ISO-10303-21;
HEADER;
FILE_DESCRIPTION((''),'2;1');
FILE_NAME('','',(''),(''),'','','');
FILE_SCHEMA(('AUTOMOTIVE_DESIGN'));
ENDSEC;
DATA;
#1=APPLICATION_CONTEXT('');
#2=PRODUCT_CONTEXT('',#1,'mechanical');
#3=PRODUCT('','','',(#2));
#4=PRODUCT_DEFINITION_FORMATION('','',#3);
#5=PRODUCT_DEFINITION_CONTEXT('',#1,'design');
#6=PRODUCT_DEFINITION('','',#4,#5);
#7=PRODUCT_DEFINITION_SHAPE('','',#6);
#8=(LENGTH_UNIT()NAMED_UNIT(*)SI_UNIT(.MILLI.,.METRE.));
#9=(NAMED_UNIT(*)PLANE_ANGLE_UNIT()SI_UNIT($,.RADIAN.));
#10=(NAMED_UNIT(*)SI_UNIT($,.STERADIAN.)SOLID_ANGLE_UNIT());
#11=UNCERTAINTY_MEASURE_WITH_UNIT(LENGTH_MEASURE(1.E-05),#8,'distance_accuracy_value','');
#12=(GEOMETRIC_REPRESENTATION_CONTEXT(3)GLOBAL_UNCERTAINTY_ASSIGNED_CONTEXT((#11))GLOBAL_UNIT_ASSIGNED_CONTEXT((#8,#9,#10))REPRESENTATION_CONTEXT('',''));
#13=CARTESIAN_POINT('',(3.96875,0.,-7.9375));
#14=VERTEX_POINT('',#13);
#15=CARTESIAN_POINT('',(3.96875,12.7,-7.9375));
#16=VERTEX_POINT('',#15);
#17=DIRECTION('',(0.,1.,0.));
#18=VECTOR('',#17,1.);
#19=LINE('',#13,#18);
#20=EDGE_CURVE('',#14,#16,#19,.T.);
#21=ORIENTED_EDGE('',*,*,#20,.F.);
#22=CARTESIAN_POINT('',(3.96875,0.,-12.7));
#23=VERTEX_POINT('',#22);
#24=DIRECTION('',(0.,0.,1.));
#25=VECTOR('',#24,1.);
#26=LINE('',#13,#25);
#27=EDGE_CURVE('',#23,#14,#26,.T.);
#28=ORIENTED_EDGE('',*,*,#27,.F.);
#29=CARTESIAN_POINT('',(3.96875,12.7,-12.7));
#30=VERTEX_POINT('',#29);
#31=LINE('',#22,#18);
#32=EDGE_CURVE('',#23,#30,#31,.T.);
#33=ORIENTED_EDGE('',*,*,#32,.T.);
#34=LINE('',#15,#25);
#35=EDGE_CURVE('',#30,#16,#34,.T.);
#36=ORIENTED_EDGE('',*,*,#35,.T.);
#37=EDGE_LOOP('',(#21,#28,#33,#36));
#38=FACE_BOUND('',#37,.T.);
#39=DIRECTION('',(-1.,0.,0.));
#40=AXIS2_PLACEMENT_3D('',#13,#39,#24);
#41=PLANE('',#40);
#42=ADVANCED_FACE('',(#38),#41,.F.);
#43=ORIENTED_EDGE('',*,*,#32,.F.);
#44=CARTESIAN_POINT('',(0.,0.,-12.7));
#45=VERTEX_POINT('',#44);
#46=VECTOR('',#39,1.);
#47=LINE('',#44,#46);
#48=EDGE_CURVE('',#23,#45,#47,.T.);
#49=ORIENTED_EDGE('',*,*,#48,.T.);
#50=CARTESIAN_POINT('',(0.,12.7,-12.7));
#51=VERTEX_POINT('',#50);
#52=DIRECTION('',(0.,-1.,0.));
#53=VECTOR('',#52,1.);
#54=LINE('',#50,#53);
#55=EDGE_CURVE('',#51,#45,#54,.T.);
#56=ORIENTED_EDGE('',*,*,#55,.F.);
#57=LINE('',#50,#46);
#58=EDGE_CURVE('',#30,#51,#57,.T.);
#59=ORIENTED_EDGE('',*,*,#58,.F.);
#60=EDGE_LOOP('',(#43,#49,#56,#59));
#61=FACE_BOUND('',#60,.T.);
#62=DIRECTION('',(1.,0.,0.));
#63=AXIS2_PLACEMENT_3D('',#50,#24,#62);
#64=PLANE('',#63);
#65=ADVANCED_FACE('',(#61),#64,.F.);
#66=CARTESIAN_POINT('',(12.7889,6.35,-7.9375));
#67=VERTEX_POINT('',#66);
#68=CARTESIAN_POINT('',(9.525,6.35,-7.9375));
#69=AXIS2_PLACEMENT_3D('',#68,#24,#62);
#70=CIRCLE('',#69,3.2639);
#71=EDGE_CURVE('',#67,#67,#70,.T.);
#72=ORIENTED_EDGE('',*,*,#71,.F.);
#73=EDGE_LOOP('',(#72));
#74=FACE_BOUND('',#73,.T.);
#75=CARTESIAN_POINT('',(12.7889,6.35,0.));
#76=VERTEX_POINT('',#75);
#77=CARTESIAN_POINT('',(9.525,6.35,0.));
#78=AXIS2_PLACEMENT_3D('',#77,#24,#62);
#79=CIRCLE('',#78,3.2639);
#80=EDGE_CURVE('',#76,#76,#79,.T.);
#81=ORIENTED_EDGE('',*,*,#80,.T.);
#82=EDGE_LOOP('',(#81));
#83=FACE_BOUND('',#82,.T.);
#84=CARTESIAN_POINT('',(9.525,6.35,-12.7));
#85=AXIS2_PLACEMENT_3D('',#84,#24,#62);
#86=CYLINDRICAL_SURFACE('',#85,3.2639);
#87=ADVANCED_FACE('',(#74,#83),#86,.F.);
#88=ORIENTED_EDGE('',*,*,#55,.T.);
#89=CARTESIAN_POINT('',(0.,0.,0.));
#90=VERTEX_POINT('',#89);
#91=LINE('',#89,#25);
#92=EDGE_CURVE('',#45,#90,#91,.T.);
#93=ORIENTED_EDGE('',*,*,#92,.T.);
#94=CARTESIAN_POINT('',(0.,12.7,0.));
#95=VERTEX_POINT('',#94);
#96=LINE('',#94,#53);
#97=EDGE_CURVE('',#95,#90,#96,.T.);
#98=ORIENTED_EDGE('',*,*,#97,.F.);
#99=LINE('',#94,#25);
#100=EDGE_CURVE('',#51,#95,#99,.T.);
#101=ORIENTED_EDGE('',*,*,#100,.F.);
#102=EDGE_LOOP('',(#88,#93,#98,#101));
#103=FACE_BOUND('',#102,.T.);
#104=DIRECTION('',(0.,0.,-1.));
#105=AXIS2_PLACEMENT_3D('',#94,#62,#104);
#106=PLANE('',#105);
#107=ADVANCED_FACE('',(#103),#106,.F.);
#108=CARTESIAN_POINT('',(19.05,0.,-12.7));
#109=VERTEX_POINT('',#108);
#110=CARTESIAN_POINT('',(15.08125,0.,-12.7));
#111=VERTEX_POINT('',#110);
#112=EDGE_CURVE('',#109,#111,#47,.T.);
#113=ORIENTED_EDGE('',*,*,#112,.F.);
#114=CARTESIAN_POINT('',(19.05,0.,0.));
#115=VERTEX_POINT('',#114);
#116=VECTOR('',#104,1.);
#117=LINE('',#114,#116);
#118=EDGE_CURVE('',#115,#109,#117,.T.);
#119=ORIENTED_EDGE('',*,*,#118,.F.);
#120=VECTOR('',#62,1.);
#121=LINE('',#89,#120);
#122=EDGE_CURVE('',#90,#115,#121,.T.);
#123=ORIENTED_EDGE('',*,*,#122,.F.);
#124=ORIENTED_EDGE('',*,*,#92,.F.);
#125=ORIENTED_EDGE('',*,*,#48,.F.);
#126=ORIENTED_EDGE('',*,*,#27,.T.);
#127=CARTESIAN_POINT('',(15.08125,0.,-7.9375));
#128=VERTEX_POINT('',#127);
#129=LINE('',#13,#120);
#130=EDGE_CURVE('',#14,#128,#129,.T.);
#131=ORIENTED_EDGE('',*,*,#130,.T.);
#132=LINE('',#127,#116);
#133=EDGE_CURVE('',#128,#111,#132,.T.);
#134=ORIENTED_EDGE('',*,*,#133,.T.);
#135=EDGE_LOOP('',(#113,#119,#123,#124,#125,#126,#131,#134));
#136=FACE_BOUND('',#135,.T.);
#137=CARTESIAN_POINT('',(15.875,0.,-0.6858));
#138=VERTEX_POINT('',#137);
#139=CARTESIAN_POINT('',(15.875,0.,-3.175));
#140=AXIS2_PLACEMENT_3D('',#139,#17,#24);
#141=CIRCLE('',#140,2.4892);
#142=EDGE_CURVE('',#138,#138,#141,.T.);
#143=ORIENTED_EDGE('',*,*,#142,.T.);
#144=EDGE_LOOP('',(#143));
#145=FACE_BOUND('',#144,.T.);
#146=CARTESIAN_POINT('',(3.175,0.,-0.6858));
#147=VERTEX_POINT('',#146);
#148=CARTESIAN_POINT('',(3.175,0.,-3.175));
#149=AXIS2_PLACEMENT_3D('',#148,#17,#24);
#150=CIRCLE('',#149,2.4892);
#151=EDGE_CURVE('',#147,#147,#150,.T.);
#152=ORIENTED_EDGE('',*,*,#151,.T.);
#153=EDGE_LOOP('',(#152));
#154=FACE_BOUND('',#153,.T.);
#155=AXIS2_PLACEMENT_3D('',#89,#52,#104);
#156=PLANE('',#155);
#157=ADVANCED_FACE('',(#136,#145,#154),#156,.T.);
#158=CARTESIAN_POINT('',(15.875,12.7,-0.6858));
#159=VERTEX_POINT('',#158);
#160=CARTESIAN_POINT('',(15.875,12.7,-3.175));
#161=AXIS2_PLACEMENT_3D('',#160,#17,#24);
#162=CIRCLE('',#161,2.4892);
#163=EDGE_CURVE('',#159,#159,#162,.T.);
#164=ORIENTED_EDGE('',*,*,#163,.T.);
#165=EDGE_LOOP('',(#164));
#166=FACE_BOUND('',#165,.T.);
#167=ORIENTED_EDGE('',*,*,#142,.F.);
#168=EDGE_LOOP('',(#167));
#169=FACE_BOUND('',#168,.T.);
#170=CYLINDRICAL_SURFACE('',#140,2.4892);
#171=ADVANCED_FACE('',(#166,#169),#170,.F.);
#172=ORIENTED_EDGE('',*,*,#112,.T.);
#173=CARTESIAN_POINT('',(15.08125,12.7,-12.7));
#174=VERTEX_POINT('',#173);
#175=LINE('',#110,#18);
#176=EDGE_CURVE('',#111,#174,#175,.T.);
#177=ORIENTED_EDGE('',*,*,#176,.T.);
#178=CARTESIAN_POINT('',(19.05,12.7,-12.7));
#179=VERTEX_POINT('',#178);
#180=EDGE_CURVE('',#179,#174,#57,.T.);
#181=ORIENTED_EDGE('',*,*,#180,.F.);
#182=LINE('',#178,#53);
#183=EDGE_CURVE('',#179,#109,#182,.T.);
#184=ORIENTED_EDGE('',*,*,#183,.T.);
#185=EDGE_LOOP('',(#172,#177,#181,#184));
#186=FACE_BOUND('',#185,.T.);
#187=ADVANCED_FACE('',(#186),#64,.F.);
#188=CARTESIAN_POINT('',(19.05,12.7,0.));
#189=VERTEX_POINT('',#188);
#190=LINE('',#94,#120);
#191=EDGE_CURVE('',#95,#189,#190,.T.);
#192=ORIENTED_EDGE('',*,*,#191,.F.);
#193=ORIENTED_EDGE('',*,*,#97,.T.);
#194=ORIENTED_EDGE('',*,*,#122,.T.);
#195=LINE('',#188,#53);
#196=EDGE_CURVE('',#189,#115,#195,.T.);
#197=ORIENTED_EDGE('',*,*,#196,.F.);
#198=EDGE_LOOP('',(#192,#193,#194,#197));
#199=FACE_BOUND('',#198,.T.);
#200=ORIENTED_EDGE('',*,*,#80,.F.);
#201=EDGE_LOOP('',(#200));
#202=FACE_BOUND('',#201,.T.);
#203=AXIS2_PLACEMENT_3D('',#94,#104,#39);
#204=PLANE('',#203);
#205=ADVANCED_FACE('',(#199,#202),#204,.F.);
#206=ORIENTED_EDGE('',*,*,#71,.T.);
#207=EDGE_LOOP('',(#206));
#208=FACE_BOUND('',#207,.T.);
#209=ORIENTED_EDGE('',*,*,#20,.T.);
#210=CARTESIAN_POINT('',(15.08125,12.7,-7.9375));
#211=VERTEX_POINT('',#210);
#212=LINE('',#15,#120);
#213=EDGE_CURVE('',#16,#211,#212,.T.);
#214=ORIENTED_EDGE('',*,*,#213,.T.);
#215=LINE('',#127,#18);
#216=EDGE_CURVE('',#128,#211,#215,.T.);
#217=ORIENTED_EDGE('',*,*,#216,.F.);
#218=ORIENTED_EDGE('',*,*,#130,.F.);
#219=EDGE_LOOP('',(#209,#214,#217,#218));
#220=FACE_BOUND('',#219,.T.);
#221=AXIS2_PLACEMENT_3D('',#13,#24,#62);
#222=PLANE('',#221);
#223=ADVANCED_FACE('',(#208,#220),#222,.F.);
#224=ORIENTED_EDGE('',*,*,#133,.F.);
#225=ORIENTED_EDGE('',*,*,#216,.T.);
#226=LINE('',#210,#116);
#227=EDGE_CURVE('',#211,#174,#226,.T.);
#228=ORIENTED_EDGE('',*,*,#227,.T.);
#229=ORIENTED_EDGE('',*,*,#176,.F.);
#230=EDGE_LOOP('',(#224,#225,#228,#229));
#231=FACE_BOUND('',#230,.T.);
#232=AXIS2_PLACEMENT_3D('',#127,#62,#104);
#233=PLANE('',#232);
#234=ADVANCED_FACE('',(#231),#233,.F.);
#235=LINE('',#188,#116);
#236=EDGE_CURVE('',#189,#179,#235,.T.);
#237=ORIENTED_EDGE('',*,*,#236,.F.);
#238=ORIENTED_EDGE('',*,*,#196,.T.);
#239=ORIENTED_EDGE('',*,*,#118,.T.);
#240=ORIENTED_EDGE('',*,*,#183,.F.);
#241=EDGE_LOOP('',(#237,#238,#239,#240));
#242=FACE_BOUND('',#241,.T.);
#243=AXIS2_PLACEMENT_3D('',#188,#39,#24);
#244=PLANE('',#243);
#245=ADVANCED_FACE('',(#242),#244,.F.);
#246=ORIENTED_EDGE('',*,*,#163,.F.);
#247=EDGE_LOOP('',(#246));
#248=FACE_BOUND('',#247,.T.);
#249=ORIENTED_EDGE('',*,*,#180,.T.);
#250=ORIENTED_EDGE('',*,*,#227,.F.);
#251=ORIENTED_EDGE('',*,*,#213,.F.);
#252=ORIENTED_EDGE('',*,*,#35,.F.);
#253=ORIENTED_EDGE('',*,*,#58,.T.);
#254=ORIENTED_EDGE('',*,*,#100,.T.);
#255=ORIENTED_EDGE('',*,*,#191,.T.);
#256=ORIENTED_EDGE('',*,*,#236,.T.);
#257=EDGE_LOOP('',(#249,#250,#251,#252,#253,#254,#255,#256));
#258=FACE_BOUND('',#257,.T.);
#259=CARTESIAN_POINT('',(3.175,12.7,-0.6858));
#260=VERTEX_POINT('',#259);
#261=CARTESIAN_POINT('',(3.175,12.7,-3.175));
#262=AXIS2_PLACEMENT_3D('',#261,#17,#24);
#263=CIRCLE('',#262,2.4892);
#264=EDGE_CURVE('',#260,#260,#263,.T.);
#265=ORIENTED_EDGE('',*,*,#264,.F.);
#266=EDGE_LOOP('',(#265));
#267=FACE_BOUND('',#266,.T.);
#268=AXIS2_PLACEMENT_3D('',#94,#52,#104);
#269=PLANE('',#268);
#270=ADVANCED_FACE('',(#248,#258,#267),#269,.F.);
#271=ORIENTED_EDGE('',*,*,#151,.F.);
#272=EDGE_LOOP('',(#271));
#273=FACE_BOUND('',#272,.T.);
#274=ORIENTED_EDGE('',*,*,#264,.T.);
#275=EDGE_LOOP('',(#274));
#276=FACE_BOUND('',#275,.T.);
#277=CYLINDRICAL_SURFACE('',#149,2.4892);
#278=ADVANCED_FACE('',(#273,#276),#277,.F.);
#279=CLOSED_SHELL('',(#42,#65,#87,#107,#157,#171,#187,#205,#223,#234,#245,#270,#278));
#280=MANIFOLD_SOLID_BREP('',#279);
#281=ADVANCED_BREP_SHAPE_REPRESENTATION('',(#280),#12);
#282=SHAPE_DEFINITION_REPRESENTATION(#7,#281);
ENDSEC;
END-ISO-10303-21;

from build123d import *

# Parameters (mm, degrees)
SKETCH1_W           = 19.05
SKETCH1_H           = 12.7
BOSS_EXTRUDE1_DEPTH = 12.7
SKETCH2_R           = 2.4892
SKETCH2_W           = 11.1125
SKETCH2_H           = 4.7625
CUT_EXTRUDE1_DEPTH  = 12.7
SKETCH3_R           = 3.2639
CUT_EXTRUDE2_DEPTH  = 12.7


with BuildPart() as part:
    # Sketch1 → Boss-Extrude1 (new body)
    with BuildSketch(Plane(origin=(0, 0, 0), x_dir=(1, 0, 0), z_dir=(0, 1, 0))):
        with Locations((9.525, 6.35)):
            Rectangle(SKETCH1_W, SKETCH1_H)
    extrude(amount=BOSS_EXTRUDE1_DEPTH)

    # Sketch2 → Cut-Extrude1 (cut)
    with BuildSketch(Plane(origin=(0, 12.7, 0), x_dir=(1, 0, 0), z_dir=(0, 1, 0))):
        with Locations(Location((3.175, 3.175, 0), (0, 0, 270))):
            Circle(SKETCH2_R)
        with Locations(Location((15.875, 3.175, 0), (0, 0, 270))):
            Circle(SKETCH2_R)
        with Locations((9.525, 10.31875)):
            Rectangle(SKETCH2_W, SKETCH2_H)
    extrude(amount=-CUT_EXTRUDE1_DEPTH, mode=Mode.SUBTRACT)

    # Sketch3 → Cut-Extrude2 (cut)
    with BuildSketch(Plane.XY):
        with Locations((9.525, 6.35)):
            Circle(SKETCH3_R)
    extrude(amount=-CUT_EXTRUDE2_DEPTH, mode=Mode.SUBTRACT)


solid = part.part
